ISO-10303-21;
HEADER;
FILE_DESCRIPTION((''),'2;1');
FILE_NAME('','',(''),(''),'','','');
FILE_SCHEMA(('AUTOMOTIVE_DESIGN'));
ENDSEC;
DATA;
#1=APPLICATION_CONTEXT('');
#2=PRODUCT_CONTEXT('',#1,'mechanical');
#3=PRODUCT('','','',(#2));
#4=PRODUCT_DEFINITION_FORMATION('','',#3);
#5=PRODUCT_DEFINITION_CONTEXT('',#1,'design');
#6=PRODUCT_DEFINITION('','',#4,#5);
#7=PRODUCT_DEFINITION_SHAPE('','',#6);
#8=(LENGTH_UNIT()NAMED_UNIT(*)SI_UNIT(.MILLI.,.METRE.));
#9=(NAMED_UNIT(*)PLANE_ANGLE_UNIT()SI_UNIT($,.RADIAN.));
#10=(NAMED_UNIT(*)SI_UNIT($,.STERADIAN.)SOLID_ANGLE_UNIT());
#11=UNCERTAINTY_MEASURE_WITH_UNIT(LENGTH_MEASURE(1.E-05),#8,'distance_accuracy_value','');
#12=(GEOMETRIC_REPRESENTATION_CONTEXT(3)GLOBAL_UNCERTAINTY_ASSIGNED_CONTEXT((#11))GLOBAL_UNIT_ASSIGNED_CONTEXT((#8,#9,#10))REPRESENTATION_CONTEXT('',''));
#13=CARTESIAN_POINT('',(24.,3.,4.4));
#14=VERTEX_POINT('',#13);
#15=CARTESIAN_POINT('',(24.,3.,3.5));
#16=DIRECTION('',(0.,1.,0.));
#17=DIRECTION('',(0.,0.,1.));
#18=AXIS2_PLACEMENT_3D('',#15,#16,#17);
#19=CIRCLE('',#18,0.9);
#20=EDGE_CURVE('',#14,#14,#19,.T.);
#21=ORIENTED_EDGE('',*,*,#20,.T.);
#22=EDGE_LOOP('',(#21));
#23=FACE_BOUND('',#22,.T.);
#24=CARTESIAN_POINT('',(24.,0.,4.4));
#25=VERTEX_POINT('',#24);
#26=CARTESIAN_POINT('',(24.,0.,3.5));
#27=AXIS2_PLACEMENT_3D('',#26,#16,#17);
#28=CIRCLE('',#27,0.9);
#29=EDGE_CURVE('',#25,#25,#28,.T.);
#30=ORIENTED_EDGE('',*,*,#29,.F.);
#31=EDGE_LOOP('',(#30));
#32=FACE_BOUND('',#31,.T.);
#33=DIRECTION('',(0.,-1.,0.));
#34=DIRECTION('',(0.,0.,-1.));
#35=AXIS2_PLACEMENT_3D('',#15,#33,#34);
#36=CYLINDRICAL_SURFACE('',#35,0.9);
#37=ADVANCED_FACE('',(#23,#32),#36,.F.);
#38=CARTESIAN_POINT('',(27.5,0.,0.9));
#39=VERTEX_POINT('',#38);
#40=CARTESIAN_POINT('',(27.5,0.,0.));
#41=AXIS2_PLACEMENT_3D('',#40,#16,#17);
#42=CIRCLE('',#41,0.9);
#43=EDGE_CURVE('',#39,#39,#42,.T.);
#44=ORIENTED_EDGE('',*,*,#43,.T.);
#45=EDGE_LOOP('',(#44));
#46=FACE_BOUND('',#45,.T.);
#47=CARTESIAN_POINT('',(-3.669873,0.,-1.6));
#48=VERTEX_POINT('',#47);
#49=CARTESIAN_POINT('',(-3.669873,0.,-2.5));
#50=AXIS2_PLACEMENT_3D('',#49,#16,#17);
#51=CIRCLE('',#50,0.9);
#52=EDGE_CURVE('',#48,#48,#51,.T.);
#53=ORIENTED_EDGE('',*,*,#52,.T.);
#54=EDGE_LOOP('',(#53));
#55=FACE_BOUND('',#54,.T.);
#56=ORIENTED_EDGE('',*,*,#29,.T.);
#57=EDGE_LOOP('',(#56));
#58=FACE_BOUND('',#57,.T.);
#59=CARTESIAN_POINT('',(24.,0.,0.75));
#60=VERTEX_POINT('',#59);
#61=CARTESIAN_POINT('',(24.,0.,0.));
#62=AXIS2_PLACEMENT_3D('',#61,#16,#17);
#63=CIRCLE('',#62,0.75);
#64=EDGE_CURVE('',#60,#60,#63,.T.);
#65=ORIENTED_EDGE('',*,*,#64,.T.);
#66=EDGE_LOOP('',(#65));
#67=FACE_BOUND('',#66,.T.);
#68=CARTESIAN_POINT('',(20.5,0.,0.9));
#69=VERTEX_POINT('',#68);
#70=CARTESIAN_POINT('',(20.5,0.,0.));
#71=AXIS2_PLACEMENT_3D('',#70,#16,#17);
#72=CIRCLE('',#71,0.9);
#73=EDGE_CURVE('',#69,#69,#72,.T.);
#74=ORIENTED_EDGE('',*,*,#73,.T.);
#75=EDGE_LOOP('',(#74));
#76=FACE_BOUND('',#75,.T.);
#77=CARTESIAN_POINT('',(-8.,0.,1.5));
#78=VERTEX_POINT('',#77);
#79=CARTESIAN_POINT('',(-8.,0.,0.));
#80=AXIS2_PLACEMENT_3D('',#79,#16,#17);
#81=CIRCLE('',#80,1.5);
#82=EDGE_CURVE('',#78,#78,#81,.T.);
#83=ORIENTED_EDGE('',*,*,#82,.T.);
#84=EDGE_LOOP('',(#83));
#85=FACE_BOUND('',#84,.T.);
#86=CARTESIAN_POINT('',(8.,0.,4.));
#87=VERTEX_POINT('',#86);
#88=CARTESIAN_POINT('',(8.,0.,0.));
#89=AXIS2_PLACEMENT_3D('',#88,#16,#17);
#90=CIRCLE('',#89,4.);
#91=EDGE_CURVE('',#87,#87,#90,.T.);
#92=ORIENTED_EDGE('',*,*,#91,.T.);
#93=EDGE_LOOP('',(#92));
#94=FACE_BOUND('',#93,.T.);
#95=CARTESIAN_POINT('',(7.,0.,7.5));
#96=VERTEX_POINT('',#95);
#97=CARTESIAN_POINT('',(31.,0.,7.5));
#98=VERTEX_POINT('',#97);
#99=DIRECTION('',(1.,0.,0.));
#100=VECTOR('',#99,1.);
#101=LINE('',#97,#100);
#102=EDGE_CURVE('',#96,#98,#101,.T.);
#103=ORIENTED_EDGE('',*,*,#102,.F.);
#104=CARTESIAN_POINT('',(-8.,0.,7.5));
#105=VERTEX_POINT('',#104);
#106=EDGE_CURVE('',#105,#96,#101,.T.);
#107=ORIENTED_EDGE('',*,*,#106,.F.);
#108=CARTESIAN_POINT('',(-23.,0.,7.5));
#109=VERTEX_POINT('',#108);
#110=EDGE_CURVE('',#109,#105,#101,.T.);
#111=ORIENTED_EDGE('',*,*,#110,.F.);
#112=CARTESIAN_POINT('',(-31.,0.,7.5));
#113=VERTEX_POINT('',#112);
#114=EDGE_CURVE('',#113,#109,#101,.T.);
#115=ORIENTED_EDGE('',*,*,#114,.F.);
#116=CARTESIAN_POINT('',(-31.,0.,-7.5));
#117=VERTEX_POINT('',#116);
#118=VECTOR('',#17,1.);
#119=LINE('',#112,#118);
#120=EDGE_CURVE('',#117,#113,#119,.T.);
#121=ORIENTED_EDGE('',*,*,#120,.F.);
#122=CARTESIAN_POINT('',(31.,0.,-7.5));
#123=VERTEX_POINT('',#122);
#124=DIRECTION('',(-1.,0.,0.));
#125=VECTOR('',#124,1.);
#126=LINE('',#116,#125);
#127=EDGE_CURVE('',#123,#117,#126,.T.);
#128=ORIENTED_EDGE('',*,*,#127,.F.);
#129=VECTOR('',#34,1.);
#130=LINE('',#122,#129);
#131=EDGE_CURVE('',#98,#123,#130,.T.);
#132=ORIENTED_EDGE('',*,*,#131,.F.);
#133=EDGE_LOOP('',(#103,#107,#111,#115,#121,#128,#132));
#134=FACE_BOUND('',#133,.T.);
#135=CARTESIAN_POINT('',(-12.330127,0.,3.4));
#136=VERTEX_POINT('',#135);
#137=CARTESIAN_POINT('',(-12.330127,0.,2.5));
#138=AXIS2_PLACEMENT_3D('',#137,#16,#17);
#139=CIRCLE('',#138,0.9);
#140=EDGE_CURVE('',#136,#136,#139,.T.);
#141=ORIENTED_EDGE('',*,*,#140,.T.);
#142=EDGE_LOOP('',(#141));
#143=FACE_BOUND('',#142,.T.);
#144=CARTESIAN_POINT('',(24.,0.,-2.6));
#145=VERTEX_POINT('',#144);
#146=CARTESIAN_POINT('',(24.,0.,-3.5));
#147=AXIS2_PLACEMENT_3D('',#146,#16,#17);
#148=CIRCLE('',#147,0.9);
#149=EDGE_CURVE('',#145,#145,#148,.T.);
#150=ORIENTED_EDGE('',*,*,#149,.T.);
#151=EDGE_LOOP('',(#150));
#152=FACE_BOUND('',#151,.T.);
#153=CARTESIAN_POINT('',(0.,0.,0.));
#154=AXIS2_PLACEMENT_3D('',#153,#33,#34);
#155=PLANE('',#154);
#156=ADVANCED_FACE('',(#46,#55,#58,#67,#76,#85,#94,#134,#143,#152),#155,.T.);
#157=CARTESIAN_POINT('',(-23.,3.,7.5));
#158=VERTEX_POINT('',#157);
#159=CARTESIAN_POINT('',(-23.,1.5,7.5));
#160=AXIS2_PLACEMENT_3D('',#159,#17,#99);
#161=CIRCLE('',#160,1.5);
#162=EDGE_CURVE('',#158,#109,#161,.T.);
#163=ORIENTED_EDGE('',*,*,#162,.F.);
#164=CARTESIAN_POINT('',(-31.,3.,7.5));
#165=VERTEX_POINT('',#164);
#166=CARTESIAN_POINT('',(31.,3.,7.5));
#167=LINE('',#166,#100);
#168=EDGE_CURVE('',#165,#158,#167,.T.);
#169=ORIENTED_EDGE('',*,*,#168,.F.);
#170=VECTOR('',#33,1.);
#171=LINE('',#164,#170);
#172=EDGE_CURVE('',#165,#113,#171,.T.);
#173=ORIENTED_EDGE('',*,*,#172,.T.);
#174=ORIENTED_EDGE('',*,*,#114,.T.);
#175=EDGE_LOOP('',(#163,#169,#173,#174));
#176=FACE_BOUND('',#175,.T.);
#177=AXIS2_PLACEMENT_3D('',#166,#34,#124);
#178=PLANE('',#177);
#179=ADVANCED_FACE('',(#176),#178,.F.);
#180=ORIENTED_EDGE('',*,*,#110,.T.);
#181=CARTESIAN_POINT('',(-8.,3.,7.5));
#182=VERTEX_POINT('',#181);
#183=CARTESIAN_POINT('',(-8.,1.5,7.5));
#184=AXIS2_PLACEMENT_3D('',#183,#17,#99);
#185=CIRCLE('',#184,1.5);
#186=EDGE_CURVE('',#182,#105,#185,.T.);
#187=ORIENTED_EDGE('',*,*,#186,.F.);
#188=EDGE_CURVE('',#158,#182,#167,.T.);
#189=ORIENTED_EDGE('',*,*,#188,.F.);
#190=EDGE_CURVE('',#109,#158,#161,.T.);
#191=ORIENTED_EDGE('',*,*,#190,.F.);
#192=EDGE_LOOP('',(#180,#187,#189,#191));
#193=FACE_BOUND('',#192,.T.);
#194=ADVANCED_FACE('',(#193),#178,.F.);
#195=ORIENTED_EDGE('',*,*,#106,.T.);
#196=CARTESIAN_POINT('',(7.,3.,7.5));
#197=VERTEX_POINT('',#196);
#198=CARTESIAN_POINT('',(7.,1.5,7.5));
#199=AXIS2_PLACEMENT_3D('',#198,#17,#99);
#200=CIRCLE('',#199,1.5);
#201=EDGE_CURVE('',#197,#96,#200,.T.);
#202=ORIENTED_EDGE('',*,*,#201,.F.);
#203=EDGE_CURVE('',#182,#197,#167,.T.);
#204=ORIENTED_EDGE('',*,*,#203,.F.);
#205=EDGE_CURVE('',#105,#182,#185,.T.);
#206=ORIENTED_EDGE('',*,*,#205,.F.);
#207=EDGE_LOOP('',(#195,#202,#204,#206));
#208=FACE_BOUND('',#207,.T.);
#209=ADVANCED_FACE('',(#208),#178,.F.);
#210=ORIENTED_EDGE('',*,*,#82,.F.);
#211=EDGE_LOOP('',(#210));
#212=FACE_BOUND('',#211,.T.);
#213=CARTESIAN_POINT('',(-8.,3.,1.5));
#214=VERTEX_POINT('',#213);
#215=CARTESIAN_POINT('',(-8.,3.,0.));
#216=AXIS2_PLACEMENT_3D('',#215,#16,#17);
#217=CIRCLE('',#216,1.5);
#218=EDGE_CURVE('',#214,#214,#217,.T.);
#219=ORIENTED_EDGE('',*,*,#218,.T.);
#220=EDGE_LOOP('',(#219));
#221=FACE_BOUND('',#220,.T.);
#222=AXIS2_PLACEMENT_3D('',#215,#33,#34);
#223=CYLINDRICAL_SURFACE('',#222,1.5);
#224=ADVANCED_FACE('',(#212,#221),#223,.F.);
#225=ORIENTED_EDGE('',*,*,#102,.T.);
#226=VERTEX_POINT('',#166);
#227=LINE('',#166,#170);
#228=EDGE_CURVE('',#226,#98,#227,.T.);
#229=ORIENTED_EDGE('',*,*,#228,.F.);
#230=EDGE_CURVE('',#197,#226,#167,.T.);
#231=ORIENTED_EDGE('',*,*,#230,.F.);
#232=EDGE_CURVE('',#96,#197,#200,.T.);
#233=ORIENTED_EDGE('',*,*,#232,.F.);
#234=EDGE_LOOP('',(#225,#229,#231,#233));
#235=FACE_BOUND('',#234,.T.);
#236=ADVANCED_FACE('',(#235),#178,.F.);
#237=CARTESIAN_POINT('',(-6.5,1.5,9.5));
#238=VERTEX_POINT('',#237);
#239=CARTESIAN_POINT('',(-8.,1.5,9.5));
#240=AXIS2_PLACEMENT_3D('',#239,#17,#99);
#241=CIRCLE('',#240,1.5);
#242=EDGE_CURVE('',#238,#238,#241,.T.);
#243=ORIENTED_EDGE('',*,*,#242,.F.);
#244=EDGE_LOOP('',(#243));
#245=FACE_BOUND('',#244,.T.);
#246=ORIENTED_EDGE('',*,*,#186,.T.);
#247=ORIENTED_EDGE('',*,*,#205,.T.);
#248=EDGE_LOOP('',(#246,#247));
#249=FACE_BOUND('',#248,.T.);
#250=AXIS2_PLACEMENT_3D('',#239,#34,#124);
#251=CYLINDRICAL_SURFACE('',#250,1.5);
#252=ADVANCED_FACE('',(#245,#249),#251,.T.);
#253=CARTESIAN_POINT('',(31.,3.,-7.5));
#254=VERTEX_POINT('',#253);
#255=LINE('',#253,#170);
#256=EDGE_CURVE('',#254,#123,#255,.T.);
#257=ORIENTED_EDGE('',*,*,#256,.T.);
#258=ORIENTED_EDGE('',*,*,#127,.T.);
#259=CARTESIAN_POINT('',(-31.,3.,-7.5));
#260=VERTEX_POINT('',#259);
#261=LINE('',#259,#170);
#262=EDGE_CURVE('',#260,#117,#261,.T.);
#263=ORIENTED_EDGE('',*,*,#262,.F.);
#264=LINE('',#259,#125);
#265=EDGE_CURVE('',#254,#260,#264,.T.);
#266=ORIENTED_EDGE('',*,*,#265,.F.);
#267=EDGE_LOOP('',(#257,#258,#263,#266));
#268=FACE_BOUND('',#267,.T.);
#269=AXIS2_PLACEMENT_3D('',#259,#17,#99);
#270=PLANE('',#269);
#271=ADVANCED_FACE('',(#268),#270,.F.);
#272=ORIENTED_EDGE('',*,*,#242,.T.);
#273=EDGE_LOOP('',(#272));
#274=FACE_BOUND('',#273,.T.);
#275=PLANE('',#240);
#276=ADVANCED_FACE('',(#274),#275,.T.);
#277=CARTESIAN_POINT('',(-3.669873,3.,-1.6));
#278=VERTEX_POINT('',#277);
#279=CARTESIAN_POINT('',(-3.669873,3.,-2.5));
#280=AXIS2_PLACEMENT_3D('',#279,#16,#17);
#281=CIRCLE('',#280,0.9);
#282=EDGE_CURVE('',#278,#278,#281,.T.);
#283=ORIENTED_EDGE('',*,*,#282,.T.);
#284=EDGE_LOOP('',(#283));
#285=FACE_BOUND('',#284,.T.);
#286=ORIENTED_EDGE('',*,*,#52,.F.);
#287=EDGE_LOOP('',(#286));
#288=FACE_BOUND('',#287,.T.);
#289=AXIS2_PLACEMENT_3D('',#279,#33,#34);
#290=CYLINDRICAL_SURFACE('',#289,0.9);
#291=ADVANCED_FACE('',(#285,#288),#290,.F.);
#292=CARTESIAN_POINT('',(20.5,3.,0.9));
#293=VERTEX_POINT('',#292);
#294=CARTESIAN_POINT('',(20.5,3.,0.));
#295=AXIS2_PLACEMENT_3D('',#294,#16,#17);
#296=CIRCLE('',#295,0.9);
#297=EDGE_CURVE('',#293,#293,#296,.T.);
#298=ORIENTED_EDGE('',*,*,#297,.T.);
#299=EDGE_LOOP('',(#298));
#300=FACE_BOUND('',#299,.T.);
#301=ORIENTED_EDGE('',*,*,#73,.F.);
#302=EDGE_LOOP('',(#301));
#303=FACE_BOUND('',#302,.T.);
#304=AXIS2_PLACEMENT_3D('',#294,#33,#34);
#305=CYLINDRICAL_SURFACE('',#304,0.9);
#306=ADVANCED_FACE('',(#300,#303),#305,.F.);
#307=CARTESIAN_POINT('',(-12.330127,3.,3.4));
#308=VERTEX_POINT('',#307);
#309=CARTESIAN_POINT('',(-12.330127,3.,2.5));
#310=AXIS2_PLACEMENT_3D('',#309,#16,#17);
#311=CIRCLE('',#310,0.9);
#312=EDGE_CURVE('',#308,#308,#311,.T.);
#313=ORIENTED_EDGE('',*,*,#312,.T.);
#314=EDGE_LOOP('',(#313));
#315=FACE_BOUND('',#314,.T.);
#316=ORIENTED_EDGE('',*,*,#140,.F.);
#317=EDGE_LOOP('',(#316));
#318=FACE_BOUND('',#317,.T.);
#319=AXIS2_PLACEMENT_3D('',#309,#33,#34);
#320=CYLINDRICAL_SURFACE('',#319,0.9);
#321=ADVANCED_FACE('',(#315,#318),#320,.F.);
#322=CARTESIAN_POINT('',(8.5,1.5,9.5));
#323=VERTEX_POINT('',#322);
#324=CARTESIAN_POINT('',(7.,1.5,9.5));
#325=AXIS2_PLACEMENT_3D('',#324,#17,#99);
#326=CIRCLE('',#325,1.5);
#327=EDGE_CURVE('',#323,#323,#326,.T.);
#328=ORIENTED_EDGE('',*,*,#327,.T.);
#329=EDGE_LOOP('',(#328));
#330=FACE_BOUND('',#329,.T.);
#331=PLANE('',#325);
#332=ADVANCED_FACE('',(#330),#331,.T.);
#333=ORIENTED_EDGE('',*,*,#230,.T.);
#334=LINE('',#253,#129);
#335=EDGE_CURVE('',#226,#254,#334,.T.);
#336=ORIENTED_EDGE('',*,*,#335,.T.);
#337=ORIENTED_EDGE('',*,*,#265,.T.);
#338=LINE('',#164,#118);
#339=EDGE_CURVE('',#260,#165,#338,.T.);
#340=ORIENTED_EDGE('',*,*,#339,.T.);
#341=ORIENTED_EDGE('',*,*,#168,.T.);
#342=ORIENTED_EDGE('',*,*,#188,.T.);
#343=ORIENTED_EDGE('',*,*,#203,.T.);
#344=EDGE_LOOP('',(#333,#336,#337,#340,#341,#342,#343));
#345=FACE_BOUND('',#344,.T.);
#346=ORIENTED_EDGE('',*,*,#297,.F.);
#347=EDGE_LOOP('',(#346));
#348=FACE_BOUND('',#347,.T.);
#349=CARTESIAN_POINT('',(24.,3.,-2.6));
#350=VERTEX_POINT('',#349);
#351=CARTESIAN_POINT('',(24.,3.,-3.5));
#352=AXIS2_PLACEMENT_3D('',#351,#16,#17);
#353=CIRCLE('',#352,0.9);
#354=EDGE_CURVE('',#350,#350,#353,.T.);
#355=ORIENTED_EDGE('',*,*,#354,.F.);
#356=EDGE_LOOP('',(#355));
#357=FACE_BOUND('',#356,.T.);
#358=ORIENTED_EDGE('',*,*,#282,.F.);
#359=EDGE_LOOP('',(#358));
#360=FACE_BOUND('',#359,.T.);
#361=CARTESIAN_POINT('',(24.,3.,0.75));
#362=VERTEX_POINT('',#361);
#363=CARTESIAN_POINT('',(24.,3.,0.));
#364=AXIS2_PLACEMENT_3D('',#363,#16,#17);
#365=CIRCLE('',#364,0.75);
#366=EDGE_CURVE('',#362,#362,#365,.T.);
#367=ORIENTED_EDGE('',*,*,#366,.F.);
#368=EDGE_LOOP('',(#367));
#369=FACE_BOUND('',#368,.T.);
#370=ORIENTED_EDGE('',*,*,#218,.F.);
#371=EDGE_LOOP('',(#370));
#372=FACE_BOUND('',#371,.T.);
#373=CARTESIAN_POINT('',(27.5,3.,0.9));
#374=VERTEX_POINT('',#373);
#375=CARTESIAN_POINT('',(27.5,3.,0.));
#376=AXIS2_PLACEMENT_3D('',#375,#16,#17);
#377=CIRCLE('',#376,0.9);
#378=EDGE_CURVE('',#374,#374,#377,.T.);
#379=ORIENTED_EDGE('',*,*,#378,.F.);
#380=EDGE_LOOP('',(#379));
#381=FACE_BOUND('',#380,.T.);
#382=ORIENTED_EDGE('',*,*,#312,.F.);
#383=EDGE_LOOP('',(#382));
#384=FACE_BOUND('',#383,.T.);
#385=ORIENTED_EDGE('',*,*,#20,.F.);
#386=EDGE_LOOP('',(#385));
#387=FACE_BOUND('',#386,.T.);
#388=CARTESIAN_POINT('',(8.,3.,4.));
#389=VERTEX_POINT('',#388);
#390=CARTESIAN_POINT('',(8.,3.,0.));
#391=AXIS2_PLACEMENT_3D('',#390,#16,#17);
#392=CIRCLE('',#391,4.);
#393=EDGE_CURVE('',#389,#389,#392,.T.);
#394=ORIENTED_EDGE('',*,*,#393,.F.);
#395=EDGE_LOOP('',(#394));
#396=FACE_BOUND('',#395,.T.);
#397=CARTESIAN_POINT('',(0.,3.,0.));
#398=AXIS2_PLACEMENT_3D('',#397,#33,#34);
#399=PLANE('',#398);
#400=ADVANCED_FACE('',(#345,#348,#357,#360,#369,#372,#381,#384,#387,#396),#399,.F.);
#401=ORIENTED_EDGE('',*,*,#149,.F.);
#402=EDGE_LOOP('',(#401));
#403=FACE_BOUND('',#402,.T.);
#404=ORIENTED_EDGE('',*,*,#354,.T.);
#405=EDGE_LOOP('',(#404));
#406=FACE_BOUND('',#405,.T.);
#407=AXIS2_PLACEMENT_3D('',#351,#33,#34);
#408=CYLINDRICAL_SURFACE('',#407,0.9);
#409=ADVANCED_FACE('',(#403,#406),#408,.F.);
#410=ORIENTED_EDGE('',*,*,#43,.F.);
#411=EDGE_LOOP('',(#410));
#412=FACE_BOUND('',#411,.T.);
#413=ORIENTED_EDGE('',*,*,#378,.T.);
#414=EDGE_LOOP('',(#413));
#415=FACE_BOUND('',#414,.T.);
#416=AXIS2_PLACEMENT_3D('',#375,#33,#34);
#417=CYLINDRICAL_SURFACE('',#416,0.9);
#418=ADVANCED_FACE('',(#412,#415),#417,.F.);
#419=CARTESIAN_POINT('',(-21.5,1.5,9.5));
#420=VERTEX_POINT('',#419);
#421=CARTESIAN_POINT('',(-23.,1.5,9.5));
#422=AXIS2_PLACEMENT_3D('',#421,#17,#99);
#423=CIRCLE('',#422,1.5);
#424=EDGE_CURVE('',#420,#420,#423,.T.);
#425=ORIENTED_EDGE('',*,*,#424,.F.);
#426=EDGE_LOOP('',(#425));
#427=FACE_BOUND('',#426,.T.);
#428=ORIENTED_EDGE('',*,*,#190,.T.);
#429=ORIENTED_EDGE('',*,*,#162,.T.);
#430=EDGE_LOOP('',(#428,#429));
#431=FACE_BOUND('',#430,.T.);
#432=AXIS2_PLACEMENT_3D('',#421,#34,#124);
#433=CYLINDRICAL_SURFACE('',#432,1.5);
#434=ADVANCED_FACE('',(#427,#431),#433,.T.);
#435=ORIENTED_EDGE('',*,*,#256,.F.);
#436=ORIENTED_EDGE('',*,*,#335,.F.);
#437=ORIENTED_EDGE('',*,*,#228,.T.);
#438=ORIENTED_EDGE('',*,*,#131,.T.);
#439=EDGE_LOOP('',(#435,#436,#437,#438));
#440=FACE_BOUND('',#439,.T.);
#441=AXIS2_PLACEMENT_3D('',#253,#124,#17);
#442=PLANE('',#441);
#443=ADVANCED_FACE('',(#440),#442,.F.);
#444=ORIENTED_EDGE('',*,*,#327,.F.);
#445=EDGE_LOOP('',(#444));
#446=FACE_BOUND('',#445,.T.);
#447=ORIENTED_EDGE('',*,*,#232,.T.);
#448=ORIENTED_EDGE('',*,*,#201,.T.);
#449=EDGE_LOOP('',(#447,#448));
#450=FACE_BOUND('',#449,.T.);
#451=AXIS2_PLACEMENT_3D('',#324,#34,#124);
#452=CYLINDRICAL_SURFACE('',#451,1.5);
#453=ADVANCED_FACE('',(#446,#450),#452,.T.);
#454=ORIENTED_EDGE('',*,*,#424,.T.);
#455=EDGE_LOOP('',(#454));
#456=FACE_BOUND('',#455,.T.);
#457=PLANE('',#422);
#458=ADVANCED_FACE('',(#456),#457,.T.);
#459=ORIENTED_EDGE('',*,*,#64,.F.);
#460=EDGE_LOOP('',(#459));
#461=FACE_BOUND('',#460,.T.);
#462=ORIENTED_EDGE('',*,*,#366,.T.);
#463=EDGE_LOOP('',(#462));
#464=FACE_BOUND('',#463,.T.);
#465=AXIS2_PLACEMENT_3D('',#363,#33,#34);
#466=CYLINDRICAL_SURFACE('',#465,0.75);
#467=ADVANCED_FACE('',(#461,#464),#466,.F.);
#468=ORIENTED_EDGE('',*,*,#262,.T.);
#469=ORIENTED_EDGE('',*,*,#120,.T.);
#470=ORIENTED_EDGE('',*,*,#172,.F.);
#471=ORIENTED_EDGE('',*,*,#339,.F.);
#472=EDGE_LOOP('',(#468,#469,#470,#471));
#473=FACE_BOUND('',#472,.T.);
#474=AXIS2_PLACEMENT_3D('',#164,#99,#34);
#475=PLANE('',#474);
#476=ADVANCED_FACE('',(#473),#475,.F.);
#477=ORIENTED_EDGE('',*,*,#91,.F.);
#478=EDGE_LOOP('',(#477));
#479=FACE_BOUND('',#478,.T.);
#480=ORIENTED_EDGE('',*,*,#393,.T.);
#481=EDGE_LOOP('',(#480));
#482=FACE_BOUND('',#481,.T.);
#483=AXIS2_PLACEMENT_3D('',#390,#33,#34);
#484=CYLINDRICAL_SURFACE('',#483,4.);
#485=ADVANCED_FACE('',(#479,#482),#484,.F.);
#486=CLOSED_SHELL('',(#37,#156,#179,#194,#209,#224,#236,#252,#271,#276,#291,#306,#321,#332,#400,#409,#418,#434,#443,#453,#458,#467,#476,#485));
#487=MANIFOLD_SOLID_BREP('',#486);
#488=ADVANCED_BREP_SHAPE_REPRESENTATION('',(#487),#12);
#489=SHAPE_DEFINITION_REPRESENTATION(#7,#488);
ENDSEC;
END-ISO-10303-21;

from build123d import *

# Parameters (mm, degrees)
SKETCH_1_W      = 62
SKETCH_1_H      = 15
SKETCH_1_R      = 1.5
SKETCH_1_R_2    = 0.9
SKETCH_1_R_3    = 4
SKETCH_1_R_4    = 0.75
EXTRUDE_1_DEPTH = 3
SKETCH_2_R      = 1.5
EXTRUDE_2_DEPTH = 2


with BuildPart() as part:
    # 草图1 → 凸台-拉伸1 (new body)
    with BuildSketch(Plane(origin=(0, 0, 0), x_dir=(1, 0, 0), z_dir=(0, 1, 0))):
        Rectangle(SKETCH_1_W, SKETCH_1_H)
        with Locations(Location((-8, 0, 0), (0, 0, 270))):
            Circle(SKETCH_1_R, mode=Mode.SUBTRACT)
        with Locations(Location((-3.669872981, 2.5, 0), (0, 0, 270))):
            Circle(SKETCH_1_R_2, mode=Mode.SUBTRACT)
        with Locations(Location((-12.330127019, -2.5, 0), (0, 0, 270))):
            Circle(SKETCH_1_R_2, mode=Mode.SUBTRACT)
        with Locations(Location((8, 0, 0), (0, 0, 270))):
            Circle(SKETCH_1_R_3, mode=Mode.SUBTRACT)
        with Locations(Location((24, 0, 0), (0, 0, 270))):
            Circle(SKETCH_1_R_4, mode=Mode.SUBTRACT)
        with Locations(Location((27.5, 0, 0), (0, 0, 270))):
            Circle(SKETCH_1_R_2, mode=Mode.SUBTRACT)
        with Locations(Location((24, -3.5, 0), (0, 0, 270))):
            Circle(SKETCH_1_R_2, mode=Mode.SUBTRACT)
        with Locations(Location((20.5, 0, 0), (0, 0, 270))):
            Circle(SKETCH_1_R_2, mode=Mode.SUBTRACT)
        with Locations(Location((24, 3.5, 0), (0, 0, 270))):
            Circle(SKETCH_1_R_2, mode=Mode.SUBTRACT)
    extrude(amount=EXTRUDE_1_DEPTH)

    # 草图2 → 凸台-拉伸2 (add)
    with BuildSketch(Plane.XY.offset(7.5)):
        with Locations(Location((-23, 1.5, 0), (0, 0, 270))):
            Circle(SKETCH_2_R)
        with Locations(Location((-8, 1.5, 0), (0, 0, 270))):
            Circle(SKETCH_2_R)
        with Locations(Location((7, 1.5, 0), (0, 0, 270))):
            Circle(SKETCH_2_R)
    extrude(amount=EXTRUDE_2_DEPTH)


solid = part.part
